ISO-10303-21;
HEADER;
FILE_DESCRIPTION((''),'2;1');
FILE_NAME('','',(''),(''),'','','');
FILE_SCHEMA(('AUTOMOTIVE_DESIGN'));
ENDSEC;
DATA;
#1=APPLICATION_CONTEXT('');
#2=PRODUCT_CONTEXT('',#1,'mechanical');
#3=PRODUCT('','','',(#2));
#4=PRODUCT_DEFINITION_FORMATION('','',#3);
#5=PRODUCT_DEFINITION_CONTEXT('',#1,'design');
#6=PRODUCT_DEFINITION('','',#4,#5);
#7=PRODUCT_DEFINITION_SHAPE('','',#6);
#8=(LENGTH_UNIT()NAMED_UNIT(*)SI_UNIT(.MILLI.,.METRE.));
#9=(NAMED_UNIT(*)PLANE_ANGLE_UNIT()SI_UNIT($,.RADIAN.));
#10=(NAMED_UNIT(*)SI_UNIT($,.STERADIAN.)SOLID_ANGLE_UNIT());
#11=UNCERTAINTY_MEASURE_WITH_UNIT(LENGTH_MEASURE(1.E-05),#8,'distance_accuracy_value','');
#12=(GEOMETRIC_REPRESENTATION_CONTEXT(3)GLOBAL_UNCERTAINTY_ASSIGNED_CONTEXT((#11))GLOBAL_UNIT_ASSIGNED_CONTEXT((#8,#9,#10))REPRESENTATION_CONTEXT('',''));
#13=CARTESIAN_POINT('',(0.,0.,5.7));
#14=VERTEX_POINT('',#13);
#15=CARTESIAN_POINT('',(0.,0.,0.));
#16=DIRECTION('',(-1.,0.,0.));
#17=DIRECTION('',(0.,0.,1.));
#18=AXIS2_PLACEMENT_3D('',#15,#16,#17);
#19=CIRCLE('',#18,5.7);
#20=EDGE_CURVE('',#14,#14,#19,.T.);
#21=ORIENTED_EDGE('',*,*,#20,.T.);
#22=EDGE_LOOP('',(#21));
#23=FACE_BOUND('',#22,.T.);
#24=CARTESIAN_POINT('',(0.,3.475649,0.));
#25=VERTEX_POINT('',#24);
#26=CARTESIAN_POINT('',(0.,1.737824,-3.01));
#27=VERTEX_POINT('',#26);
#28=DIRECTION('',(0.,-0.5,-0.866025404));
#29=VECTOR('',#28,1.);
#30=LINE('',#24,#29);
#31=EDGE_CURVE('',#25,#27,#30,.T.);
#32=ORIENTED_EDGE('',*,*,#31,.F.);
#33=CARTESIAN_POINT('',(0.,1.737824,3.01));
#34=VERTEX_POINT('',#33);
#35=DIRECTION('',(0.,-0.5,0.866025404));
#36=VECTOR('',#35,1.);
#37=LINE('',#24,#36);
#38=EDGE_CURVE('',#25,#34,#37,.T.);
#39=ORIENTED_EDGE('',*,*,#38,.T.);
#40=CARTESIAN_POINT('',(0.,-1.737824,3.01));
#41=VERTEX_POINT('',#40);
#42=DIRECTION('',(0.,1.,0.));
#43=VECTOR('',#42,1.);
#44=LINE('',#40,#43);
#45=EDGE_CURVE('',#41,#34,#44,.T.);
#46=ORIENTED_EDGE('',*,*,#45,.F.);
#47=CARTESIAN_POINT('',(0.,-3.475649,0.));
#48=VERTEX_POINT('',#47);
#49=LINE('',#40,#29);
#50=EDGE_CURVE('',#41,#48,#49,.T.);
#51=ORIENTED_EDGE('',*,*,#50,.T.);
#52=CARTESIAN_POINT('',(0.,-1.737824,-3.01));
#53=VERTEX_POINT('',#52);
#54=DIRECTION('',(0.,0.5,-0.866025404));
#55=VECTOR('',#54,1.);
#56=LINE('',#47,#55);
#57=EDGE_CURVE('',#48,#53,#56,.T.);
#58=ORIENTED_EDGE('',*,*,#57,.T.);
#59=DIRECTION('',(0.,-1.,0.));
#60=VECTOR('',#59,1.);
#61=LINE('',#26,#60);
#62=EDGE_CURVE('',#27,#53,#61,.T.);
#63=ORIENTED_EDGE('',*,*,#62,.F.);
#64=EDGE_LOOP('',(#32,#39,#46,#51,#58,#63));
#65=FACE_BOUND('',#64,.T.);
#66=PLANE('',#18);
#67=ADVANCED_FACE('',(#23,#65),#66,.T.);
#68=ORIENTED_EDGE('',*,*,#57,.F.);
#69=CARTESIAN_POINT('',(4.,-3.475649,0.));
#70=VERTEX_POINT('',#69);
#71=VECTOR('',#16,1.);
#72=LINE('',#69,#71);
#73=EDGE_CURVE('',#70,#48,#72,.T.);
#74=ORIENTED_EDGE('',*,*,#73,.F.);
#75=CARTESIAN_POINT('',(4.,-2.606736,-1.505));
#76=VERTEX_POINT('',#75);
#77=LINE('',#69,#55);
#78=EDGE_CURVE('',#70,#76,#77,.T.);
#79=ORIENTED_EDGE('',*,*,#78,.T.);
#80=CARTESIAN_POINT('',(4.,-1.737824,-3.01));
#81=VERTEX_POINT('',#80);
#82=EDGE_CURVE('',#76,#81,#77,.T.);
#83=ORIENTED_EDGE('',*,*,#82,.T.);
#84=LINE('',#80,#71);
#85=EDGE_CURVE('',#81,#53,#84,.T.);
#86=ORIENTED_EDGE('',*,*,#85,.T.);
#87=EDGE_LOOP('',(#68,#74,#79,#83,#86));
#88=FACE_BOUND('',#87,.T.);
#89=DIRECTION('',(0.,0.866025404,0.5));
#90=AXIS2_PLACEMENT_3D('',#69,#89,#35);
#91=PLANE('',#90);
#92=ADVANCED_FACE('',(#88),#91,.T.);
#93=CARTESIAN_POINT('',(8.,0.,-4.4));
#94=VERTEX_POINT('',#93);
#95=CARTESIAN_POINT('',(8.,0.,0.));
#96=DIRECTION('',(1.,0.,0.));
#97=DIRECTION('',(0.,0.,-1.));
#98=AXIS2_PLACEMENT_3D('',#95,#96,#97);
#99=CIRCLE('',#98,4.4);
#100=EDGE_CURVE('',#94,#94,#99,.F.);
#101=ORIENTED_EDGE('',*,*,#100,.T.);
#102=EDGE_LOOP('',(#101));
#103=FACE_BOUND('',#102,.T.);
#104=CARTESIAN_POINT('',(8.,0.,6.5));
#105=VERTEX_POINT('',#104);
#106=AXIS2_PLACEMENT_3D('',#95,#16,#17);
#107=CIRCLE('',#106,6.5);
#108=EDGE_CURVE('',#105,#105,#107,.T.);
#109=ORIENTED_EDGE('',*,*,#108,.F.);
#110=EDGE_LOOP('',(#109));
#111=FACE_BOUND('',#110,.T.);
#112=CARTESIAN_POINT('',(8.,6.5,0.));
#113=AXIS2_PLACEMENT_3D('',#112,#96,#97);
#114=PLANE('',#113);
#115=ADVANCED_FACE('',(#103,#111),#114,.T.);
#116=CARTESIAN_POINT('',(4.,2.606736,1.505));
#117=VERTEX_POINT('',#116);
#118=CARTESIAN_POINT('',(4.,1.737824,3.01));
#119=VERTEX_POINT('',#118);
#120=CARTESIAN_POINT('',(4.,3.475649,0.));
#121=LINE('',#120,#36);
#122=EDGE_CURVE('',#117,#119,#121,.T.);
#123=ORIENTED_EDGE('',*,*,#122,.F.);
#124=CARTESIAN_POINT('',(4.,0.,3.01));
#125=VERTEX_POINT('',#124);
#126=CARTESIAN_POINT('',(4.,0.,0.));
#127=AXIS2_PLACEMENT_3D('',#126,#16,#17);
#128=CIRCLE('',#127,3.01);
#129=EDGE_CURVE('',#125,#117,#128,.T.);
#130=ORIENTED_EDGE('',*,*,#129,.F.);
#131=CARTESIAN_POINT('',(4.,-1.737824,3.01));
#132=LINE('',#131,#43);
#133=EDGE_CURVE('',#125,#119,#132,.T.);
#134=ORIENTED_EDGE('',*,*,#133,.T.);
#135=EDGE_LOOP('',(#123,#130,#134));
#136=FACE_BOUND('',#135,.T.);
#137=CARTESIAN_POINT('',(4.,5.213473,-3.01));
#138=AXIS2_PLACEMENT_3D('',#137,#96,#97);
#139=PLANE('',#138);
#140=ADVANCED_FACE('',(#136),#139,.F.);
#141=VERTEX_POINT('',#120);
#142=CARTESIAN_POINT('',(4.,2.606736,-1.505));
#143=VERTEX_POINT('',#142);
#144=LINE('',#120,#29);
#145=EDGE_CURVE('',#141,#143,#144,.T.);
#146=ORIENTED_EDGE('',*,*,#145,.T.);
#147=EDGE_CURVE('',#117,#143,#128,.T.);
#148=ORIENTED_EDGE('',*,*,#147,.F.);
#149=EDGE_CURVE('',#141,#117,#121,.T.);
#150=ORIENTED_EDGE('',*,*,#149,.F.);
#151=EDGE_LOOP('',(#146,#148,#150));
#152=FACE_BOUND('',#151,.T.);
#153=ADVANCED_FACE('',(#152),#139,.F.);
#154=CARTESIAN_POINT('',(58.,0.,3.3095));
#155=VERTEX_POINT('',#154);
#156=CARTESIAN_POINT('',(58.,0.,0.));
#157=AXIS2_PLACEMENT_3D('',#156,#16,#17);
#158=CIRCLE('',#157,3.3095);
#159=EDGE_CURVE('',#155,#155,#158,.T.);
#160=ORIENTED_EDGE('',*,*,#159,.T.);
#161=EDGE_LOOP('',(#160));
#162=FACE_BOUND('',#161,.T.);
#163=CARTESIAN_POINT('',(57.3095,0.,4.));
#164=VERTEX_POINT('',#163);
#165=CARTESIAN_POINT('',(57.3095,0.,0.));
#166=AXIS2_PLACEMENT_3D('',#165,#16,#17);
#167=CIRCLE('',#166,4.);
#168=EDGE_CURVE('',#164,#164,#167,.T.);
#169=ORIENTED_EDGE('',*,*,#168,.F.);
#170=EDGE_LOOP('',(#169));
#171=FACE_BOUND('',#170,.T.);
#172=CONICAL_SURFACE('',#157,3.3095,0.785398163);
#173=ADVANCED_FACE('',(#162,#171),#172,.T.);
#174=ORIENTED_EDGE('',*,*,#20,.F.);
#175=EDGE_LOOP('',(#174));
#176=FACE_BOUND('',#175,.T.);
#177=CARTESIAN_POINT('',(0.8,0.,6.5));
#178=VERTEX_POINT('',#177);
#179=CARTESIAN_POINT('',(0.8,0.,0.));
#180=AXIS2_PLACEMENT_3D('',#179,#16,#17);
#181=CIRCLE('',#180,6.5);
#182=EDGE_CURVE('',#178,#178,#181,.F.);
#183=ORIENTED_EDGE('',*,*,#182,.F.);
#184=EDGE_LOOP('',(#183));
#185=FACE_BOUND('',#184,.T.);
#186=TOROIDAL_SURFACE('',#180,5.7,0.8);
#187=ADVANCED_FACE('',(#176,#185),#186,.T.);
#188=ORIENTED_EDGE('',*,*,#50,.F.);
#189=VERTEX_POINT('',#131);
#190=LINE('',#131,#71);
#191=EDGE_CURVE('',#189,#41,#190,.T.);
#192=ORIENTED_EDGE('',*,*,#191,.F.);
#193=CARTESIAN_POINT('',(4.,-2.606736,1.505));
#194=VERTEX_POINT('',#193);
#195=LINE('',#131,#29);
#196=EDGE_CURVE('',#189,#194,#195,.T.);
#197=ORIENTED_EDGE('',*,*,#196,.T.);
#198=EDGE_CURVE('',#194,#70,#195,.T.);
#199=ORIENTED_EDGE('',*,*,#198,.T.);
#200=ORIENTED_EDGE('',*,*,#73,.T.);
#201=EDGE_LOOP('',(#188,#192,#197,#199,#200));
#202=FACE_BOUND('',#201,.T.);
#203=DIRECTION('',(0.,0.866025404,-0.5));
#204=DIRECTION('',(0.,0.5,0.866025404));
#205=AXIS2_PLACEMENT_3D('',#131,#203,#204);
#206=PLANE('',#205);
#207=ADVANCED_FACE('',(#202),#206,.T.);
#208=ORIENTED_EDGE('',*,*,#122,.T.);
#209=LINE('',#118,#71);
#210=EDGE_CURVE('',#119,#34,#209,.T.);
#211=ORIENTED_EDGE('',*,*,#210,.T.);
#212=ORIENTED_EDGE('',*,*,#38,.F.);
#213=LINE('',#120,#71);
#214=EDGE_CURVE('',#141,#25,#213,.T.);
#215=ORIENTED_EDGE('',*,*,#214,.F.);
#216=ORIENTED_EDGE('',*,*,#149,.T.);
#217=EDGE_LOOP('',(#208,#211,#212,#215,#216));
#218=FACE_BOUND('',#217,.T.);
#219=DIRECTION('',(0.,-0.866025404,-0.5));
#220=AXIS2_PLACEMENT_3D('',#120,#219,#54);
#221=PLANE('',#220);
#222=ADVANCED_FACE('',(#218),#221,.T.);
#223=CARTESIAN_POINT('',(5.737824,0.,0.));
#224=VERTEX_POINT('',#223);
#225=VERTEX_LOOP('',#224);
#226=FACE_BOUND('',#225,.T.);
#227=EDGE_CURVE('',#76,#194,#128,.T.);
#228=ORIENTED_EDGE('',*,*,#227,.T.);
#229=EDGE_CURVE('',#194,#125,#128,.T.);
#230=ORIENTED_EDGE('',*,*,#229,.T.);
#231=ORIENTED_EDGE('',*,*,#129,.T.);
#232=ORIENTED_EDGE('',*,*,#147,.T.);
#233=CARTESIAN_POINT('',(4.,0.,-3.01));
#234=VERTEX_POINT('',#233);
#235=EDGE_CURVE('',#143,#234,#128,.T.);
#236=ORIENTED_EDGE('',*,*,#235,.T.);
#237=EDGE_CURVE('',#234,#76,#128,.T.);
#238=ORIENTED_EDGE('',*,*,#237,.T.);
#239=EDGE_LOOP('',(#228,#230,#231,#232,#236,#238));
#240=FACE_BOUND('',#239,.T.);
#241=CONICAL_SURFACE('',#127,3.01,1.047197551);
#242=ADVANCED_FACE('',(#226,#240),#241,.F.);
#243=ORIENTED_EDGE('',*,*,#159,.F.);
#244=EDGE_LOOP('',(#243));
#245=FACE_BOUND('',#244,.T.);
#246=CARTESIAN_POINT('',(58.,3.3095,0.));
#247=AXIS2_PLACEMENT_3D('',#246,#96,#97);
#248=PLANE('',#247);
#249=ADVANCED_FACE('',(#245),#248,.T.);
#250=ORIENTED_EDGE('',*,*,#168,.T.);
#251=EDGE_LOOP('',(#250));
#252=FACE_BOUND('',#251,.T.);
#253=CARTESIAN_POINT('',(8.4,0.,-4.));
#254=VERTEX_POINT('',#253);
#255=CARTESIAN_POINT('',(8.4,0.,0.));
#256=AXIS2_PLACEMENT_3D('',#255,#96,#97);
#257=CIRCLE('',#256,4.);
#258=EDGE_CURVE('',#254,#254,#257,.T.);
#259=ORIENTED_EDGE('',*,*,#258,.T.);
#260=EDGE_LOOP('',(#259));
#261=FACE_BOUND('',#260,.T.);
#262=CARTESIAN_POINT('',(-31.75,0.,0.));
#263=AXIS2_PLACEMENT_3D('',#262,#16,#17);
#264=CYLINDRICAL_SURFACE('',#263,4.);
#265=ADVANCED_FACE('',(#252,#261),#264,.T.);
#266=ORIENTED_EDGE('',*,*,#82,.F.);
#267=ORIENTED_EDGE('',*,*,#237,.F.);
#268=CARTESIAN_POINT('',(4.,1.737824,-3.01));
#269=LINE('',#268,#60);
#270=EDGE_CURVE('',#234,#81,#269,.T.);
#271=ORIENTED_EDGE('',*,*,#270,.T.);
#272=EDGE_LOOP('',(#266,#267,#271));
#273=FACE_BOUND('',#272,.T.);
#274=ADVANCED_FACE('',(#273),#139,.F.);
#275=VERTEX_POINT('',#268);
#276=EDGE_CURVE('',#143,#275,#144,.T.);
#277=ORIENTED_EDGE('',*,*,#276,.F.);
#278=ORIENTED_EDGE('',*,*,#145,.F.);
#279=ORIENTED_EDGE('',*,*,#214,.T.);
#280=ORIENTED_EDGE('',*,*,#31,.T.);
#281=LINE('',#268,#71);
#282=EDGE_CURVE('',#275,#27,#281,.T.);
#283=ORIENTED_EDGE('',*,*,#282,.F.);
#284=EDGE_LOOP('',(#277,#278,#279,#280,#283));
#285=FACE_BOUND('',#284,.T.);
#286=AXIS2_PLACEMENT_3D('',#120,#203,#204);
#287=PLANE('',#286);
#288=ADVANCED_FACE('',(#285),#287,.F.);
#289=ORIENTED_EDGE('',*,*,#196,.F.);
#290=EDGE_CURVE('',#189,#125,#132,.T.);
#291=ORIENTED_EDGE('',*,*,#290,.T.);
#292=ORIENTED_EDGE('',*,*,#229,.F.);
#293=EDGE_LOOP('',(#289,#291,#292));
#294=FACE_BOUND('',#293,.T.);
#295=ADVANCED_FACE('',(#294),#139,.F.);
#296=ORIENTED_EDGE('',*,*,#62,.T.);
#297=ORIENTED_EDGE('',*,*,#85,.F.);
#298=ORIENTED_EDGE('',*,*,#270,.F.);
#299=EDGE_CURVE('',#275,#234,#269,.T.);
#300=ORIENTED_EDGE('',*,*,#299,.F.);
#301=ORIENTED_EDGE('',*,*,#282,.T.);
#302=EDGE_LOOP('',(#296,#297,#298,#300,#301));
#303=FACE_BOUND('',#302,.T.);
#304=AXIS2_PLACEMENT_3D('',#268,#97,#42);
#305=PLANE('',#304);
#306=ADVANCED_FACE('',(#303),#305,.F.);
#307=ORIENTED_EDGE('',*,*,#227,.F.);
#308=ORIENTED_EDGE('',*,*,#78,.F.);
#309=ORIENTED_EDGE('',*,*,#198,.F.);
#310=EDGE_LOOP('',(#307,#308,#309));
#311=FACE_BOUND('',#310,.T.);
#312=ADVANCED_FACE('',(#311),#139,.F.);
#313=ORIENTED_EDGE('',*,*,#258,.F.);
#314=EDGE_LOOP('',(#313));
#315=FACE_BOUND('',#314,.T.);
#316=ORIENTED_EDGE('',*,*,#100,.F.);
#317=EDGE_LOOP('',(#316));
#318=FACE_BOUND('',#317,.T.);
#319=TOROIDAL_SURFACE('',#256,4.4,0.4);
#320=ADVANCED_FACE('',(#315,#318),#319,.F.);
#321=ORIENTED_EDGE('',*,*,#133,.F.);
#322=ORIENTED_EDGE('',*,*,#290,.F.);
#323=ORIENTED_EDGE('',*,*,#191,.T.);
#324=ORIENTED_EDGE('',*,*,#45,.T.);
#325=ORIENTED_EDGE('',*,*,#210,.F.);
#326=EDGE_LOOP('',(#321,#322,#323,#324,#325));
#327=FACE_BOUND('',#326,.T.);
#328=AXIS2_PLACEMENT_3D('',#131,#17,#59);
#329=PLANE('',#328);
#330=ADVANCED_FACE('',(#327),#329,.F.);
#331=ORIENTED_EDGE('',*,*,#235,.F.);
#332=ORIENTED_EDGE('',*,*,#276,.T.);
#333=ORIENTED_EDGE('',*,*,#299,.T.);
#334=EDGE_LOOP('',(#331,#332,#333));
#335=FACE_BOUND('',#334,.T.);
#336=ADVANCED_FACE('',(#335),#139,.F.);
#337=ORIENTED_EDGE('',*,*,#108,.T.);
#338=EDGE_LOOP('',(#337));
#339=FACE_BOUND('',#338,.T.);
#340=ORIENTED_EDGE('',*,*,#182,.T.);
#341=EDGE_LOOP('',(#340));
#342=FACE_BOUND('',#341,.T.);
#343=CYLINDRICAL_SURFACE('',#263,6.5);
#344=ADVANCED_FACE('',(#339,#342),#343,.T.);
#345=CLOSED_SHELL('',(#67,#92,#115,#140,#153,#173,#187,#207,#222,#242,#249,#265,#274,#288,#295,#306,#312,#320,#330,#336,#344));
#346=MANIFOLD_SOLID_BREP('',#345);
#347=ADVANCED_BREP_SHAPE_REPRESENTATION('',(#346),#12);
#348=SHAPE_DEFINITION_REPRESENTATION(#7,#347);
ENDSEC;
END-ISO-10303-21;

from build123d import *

# Parameters (mm, degrees)
FILLET1_R   = 0.4
FILLET2_R   = 0.8
HEX_2_DEPTH = 4


with BuildPart() as part:
    # BodySke → Base-Revolve (revolve)
    with BuildSketch(Plane.XY):
        Polygon((0, 0), (0, 6.5), (8, 6.5), (8, 4), (57.3095, 4), (58, 3.3095), (58, 0), align=None)
    revolve(axis=Axis((-31.75, 0, 0), (1, 0, 0)))

    # Fillet1
    fillet1_edges = [part.edges().sort_by_distance(p)[0] for p in [
        (8, -4, 0),
    ]]
    fillet(fillet1_edges, radius=FILLET1_R)

    # Fillet2
    fillet2_edges = [part.edges().sort_by_distance(p)[0] for p in [
        (0, -6.5, 0),
    ]]
    fillet(fillet2_edges, radius=FILLET2_R)

    # Sketch2 → Hex-PreBroach (revolve, cut)
    with BuildSketch(Plane.XY):
        Polygon((0, 3.01), (4, 3.01), (5.73782431, 0), (0, 0), align=None)
    revolve(axis=Axis((0, 0, 0), (1, 0, 0)), mode=Mode.SUBTRACT)

    # Sketch3 → Hex 2 (cut)
    with BuildSketch(Plane(origin=(0, 0, 0), x_dir=(0, 0.5, 0.866025404), z_dir=(-1, 0, 0))):
        Polygon((1.73782431, 3.01), (-1.73782431, 3.01), (-3.475648621, 0), (-1.73782431, -3.01), (1.73782431, -3.01), (3.475648621, 0), align=None)
    extrude(amount=-HEX_2_DEPTH, mode=Mode.SUBTRACT)


solid = part.part
